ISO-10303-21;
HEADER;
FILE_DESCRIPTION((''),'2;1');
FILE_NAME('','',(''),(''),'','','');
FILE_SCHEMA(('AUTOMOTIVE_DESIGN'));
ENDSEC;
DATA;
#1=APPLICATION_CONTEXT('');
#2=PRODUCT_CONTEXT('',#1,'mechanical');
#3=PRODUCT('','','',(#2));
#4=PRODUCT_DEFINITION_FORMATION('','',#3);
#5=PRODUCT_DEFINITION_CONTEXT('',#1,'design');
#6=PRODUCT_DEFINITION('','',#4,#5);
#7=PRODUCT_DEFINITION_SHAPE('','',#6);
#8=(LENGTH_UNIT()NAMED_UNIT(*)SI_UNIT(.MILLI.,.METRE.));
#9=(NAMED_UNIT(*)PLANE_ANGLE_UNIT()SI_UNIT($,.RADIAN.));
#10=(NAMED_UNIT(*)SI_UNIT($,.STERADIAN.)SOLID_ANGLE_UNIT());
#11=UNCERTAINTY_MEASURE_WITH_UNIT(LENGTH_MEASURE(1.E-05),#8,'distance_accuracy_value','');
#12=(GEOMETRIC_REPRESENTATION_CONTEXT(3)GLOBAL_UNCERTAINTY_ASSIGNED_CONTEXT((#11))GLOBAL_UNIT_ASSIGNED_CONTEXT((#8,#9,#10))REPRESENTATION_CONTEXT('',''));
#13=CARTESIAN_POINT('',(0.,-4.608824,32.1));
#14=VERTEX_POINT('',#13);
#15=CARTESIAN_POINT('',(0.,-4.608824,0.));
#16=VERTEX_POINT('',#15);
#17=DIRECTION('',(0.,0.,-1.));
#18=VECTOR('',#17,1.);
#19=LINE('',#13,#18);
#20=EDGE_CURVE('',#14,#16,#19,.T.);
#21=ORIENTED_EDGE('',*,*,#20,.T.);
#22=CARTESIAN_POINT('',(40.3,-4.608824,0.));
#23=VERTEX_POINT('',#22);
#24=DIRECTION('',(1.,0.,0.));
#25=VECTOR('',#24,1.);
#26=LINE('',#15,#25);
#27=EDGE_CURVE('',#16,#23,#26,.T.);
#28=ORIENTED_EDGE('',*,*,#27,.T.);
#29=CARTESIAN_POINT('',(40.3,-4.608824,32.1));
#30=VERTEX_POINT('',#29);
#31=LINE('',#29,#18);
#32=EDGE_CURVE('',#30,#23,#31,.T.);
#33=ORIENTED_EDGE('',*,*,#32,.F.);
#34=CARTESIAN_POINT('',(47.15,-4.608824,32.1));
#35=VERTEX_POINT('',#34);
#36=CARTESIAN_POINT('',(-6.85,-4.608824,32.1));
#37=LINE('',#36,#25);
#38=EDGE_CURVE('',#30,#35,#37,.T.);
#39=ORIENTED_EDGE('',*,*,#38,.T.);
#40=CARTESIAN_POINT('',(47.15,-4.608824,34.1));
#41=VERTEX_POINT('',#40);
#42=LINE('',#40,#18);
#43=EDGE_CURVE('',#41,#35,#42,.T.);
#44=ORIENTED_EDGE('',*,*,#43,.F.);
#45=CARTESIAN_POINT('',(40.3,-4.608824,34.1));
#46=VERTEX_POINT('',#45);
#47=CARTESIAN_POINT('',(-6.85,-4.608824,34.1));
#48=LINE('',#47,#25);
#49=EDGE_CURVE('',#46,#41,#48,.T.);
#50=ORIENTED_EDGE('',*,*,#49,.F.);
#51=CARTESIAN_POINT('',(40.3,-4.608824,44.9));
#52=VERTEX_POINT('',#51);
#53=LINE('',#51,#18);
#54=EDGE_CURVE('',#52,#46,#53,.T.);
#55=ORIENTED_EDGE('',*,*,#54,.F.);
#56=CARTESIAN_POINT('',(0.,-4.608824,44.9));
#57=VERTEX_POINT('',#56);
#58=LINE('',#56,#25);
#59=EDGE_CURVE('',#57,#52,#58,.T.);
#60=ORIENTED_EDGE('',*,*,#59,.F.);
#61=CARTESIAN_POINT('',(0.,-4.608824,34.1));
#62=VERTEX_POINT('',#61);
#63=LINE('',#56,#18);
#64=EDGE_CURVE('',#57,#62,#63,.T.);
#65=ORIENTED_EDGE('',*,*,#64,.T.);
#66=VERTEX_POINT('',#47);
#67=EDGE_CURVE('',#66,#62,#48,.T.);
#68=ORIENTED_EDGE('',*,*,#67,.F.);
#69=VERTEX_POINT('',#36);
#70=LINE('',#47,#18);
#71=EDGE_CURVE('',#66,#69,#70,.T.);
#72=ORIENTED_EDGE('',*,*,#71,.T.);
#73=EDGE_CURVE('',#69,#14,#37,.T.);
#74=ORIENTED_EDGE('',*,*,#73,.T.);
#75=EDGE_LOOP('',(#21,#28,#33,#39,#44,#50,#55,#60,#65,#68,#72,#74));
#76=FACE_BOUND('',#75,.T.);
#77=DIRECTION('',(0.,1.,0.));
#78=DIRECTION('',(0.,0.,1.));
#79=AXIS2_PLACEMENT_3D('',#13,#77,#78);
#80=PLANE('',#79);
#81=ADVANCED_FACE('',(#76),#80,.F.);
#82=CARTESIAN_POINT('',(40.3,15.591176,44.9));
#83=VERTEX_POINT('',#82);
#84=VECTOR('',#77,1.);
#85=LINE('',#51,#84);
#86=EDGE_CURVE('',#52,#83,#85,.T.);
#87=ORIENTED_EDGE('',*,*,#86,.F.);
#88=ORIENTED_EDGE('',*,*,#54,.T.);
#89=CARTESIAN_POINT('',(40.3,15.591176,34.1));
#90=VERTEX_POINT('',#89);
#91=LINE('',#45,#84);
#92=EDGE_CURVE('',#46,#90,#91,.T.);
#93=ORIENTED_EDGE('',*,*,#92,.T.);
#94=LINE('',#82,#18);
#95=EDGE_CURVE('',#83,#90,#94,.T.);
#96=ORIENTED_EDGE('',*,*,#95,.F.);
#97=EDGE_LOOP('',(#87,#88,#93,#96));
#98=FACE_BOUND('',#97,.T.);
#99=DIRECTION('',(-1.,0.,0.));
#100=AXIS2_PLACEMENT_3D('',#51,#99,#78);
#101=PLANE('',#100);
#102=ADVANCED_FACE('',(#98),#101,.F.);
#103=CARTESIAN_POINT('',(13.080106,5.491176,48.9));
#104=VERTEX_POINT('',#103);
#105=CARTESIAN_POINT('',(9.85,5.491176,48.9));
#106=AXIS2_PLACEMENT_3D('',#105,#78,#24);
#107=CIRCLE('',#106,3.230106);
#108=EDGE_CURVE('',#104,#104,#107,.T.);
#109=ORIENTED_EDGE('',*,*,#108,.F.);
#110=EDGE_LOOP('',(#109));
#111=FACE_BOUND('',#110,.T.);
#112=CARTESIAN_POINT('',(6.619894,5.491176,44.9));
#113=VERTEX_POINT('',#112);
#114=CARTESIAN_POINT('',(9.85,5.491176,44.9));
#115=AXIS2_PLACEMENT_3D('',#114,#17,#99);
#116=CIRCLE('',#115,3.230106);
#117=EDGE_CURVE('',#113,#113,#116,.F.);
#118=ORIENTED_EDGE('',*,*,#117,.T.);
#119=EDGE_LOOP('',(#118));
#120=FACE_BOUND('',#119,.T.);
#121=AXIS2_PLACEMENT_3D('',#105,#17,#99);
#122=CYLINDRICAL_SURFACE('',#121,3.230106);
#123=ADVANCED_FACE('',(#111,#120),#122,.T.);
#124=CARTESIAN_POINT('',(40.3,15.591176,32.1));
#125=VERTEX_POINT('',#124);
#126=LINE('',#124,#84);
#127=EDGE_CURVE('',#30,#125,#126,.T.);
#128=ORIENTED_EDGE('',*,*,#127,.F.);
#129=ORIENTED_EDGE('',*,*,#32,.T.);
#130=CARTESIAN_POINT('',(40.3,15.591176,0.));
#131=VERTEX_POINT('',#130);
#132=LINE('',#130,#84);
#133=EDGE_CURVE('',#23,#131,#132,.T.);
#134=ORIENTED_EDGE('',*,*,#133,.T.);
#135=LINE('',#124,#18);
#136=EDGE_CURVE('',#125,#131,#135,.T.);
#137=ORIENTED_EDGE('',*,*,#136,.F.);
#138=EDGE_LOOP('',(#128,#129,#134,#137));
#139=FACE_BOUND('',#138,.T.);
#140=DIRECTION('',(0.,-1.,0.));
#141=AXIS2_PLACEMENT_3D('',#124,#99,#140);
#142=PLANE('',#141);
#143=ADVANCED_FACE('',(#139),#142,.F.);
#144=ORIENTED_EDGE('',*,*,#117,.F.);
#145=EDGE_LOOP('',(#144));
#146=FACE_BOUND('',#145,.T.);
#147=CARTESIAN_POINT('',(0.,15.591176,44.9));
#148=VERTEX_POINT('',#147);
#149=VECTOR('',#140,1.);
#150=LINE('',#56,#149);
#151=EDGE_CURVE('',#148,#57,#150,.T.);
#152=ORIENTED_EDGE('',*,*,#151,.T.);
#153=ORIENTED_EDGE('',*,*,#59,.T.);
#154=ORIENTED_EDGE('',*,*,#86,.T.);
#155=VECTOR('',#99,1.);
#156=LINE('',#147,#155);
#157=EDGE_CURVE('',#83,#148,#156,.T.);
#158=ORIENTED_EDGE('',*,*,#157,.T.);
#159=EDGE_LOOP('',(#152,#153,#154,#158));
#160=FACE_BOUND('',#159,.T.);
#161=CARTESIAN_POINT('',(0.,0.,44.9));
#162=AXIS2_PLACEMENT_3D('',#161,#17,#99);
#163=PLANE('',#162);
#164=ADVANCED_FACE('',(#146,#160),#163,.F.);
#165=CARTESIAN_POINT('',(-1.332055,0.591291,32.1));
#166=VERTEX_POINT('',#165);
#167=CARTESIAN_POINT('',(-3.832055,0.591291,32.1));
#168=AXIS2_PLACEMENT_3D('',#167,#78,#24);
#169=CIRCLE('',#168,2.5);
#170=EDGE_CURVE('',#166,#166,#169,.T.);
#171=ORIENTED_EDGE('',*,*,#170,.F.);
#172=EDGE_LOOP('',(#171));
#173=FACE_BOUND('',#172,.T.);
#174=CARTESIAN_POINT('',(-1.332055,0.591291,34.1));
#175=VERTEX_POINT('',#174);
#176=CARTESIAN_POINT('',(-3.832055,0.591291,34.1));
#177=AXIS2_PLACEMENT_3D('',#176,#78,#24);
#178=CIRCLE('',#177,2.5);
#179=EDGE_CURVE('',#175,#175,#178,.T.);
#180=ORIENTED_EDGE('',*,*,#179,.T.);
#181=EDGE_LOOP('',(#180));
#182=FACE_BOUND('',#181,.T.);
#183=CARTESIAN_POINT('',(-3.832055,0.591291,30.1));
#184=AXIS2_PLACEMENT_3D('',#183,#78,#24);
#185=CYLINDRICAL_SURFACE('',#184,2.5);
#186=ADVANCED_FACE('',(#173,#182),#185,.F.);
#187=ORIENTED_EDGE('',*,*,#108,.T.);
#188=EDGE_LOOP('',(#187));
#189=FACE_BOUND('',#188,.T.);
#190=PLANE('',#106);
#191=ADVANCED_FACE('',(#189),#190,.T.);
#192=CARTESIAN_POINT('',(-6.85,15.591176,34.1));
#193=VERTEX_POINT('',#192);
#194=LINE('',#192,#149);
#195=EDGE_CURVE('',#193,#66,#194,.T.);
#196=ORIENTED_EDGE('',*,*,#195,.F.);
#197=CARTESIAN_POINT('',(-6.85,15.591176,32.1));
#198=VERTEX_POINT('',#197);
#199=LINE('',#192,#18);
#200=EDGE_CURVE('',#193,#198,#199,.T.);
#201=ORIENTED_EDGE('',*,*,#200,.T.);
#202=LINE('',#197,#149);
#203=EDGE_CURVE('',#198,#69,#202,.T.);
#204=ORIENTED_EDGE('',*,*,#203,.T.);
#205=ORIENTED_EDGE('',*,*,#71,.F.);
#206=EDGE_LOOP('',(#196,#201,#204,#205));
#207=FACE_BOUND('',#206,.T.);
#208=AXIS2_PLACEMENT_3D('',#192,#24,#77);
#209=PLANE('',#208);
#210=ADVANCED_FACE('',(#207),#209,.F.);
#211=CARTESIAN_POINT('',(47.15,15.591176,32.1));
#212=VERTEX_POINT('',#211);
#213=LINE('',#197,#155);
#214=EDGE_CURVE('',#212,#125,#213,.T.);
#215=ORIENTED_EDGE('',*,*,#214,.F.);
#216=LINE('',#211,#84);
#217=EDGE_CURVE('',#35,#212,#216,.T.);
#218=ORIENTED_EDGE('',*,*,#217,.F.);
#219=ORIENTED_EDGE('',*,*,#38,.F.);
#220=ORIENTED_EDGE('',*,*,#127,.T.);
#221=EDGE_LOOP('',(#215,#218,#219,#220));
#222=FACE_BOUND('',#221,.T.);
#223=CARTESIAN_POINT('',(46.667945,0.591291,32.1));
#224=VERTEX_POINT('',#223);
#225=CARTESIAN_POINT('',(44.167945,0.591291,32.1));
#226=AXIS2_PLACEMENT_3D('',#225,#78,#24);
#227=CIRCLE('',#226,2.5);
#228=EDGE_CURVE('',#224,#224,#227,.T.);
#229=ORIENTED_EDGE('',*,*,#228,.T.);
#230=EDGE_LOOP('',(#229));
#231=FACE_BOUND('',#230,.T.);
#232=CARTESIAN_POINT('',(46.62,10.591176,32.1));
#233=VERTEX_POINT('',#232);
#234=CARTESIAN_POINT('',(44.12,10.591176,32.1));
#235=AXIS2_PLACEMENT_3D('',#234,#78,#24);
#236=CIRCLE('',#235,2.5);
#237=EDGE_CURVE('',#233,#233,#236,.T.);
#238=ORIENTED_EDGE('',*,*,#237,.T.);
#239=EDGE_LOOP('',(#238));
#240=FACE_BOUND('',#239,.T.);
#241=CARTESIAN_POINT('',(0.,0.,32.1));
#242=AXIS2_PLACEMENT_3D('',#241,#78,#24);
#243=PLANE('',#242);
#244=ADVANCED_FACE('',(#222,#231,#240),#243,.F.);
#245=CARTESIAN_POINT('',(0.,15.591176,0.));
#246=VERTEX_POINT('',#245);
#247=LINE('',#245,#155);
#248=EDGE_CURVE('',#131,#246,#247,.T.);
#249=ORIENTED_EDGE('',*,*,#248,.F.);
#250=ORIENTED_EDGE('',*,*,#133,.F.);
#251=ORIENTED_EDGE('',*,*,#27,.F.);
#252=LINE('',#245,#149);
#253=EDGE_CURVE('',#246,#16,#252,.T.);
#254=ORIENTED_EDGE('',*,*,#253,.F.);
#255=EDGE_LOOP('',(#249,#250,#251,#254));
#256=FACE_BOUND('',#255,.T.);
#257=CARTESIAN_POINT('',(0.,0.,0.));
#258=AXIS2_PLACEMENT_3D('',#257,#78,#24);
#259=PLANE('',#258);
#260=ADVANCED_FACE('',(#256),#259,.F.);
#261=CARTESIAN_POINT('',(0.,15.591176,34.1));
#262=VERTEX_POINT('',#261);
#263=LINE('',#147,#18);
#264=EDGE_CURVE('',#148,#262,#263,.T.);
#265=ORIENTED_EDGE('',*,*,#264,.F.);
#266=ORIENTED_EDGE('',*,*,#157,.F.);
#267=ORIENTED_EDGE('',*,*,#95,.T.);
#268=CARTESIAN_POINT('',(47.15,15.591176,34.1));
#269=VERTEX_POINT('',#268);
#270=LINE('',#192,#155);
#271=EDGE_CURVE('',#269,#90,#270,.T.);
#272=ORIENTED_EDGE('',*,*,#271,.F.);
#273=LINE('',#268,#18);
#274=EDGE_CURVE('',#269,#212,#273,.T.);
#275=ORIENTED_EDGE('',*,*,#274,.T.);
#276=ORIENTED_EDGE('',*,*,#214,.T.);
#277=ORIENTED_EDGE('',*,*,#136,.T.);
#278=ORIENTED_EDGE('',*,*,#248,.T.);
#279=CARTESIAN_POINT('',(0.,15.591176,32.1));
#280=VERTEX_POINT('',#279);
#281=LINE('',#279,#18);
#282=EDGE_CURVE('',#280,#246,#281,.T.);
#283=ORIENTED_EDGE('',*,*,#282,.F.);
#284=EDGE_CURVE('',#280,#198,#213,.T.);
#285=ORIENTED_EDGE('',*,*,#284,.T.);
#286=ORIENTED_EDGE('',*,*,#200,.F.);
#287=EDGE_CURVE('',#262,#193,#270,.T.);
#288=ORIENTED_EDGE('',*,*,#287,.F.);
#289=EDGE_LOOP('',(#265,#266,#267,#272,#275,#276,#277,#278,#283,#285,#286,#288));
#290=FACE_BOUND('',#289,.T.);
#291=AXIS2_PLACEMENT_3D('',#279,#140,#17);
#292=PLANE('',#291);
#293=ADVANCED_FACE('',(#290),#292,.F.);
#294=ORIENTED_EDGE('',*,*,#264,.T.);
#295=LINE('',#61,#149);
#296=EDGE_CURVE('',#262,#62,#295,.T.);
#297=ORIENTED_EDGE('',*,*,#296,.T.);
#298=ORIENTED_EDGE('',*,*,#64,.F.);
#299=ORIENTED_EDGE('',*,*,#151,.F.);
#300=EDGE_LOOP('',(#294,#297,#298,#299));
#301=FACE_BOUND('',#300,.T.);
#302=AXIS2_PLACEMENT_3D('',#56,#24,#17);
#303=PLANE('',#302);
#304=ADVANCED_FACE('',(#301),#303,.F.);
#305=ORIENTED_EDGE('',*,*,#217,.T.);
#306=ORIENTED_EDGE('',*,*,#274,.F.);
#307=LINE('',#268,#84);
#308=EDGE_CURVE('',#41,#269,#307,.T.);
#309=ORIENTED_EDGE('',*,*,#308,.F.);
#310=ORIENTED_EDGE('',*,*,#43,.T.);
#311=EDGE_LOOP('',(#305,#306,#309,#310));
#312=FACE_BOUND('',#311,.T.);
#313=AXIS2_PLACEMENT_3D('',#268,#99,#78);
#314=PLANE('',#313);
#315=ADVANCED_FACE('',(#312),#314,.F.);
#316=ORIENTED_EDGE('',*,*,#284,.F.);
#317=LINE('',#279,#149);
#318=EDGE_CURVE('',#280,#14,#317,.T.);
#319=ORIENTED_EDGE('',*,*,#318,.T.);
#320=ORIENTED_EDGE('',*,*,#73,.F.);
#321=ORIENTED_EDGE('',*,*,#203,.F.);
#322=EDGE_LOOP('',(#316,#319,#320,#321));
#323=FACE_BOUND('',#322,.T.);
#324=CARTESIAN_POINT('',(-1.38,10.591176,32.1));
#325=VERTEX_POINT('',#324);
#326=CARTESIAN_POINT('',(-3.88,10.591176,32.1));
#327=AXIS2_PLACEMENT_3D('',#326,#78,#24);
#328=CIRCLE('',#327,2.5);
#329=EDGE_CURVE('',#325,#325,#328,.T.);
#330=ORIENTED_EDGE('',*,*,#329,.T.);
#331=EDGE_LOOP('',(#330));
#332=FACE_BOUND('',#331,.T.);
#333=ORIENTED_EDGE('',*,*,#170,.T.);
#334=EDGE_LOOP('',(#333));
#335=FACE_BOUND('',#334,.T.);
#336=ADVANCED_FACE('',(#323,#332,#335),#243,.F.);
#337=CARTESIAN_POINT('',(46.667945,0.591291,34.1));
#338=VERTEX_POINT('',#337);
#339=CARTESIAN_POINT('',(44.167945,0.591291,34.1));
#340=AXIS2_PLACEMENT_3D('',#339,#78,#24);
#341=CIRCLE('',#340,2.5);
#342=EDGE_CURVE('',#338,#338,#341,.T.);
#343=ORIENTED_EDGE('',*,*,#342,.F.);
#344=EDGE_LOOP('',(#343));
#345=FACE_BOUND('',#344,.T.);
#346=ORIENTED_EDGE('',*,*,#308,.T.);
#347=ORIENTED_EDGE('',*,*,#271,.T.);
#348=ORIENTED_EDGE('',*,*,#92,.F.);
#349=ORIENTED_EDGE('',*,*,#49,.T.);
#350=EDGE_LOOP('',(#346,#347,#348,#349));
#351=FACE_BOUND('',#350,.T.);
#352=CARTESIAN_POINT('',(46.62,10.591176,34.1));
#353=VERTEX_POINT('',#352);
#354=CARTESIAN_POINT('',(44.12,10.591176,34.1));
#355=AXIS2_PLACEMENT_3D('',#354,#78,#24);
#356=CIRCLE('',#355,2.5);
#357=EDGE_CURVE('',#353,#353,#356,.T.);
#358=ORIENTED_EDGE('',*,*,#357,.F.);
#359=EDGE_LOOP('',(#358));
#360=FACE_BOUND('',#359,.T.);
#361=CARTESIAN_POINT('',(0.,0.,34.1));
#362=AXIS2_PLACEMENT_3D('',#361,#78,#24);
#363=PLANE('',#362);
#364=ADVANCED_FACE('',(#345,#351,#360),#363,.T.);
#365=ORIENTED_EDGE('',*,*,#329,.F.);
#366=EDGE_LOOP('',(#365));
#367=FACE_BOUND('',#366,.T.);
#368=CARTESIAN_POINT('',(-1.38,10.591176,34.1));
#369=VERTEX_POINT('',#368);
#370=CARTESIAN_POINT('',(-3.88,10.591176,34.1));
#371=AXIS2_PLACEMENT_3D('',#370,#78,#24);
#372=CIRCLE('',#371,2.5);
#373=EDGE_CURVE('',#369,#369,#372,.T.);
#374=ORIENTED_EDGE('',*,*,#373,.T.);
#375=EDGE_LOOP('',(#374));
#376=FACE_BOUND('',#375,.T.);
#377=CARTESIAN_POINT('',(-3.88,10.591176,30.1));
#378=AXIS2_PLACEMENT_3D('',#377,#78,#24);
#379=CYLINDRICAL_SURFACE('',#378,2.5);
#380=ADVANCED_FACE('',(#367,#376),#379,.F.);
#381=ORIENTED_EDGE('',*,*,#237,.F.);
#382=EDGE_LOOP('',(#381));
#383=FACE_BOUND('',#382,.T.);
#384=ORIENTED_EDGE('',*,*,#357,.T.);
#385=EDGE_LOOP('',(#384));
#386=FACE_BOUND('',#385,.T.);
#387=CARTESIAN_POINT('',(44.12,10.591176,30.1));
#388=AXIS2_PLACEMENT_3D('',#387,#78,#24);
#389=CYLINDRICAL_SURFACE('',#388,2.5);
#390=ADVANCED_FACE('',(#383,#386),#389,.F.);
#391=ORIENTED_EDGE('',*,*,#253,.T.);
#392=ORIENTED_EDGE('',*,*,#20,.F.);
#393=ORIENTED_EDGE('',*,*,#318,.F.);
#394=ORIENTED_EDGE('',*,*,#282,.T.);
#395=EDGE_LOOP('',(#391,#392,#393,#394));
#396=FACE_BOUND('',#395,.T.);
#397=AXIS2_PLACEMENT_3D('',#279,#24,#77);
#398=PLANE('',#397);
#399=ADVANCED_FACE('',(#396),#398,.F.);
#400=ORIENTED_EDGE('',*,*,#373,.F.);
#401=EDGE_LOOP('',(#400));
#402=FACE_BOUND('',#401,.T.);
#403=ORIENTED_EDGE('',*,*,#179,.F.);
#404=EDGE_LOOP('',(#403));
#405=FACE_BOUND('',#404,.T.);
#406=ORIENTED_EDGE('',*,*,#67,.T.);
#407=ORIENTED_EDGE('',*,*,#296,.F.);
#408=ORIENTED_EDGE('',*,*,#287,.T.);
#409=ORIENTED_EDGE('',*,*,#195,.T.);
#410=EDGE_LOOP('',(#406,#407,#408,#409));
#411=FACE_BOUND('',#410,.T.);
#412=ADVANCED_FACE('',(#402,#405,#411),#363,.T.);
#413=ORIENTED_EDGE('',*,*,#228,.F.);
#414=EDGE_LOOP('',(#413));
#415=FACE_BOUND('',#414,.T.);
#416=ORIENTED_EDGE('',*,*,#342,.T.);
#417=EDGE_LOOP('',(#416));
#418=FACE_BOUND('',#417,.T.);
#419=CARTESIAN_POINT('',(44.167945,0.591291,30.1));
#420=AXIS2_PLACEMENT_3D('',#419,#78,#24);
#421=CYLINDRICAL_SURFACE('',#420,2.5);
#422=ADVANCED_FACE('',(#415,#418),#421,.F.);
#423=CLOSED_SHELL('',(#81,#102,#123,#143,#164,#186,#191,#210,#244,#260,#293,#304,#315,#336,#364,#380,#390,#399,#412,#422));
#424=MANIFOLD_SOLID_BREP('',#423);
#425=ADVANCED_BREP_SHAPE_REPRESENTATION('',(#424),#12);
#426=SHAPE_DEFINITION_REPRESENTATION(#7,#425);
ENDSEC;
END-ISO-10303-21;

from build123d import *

# Parameters (mm, degrees)
ESQUISSE1_W             = 40.3
ESQUISSE1_H             = 20.2
BOSS_EXTRU_1_DEPTH      = 32.1
ESQUISSE2_W             = 54
ESQUISSE2_H             = 20.2
BOSS_EXTRU_2_DEPTH      = 2
ESQUISSE3_W             = 40.3
ESQUISSE3_H             = 20.2
BOSS_EXTRU_3_DEPTH      = 10.8
ESQUISSE4_R             = 3.230106489
BOSS_EXTRU_4_DEPTH      = 4
ESQUISSE5_R             = 2.5
ENL_V_MAT_EXTRU_1_DEPTH = 4


with BuildPart() as part:
    # Esquisse1 → Boss.-Extru.1 (new body)
    with BuildSketch(Plane.XY):
        with Locations((20.15, 5.491176471)):
            Rectangle(ESQUISSE1_W, ESQUISSE1_H)
    extrude(amount=BOSS_EXTRU_1_DEPTH)

    # Esquisse2 → Boss.-Extru.2 (add)
    with BuildSketch(Plane.XY.offset(32.1)):
        with Locations((20.15, 5.491176471)):
            Rectangle(ESQUISSE2_W, ESQUISSE2_H)
    extrude(amount=BOSS_EXTRU_2_DEPTH)

    # Esquisse3 → Boss.-Extru.3 (add)
    with BuildSketch(Plane.XY.offset(34.1)):
        with Locations((20.15, 5.491176471)):
            Rectangle(ESQUISSE3_W, ESQUISSE3_H)
    extrude(amount=BOSS_EXTRU_3_DEPTH)

    # Esquisse4 → Boss.-Extru.4 (add)
    with BuildSketch(Plane.XY.offset(44.9)):
        with Locations(Location((9.85, 5.491176471, 0), (0, 0, 180))):
            Circle(ESQUISSE4_R)
    extrude(amount=BOSS_EXTRU_4_DEPTH)

    # Esquisse5 → Enlèv. mat.-Extru.1 (cut)
    with BuildSketch(Plane.XY.offset(34.1)):
        with Locations((-3.88, 10.591176471)):
            Circle(ESQUISSE5_R)
        with Locations((-3.832055369, 0.591291406)):
            Circle(ESQUISSE5_R)
        with Locations((44.12, 10.591176471)):
            Circle(ESQUISSE5_R)
        with Locations((44.167944631, 0.591291406)):
            Circle(ESQUISSE5_R)
    extrude(amount=-ENL_V_MAT_EXTRU_1_DEPTH, mode=Mode.SUBTRACT)


solid = part.part
